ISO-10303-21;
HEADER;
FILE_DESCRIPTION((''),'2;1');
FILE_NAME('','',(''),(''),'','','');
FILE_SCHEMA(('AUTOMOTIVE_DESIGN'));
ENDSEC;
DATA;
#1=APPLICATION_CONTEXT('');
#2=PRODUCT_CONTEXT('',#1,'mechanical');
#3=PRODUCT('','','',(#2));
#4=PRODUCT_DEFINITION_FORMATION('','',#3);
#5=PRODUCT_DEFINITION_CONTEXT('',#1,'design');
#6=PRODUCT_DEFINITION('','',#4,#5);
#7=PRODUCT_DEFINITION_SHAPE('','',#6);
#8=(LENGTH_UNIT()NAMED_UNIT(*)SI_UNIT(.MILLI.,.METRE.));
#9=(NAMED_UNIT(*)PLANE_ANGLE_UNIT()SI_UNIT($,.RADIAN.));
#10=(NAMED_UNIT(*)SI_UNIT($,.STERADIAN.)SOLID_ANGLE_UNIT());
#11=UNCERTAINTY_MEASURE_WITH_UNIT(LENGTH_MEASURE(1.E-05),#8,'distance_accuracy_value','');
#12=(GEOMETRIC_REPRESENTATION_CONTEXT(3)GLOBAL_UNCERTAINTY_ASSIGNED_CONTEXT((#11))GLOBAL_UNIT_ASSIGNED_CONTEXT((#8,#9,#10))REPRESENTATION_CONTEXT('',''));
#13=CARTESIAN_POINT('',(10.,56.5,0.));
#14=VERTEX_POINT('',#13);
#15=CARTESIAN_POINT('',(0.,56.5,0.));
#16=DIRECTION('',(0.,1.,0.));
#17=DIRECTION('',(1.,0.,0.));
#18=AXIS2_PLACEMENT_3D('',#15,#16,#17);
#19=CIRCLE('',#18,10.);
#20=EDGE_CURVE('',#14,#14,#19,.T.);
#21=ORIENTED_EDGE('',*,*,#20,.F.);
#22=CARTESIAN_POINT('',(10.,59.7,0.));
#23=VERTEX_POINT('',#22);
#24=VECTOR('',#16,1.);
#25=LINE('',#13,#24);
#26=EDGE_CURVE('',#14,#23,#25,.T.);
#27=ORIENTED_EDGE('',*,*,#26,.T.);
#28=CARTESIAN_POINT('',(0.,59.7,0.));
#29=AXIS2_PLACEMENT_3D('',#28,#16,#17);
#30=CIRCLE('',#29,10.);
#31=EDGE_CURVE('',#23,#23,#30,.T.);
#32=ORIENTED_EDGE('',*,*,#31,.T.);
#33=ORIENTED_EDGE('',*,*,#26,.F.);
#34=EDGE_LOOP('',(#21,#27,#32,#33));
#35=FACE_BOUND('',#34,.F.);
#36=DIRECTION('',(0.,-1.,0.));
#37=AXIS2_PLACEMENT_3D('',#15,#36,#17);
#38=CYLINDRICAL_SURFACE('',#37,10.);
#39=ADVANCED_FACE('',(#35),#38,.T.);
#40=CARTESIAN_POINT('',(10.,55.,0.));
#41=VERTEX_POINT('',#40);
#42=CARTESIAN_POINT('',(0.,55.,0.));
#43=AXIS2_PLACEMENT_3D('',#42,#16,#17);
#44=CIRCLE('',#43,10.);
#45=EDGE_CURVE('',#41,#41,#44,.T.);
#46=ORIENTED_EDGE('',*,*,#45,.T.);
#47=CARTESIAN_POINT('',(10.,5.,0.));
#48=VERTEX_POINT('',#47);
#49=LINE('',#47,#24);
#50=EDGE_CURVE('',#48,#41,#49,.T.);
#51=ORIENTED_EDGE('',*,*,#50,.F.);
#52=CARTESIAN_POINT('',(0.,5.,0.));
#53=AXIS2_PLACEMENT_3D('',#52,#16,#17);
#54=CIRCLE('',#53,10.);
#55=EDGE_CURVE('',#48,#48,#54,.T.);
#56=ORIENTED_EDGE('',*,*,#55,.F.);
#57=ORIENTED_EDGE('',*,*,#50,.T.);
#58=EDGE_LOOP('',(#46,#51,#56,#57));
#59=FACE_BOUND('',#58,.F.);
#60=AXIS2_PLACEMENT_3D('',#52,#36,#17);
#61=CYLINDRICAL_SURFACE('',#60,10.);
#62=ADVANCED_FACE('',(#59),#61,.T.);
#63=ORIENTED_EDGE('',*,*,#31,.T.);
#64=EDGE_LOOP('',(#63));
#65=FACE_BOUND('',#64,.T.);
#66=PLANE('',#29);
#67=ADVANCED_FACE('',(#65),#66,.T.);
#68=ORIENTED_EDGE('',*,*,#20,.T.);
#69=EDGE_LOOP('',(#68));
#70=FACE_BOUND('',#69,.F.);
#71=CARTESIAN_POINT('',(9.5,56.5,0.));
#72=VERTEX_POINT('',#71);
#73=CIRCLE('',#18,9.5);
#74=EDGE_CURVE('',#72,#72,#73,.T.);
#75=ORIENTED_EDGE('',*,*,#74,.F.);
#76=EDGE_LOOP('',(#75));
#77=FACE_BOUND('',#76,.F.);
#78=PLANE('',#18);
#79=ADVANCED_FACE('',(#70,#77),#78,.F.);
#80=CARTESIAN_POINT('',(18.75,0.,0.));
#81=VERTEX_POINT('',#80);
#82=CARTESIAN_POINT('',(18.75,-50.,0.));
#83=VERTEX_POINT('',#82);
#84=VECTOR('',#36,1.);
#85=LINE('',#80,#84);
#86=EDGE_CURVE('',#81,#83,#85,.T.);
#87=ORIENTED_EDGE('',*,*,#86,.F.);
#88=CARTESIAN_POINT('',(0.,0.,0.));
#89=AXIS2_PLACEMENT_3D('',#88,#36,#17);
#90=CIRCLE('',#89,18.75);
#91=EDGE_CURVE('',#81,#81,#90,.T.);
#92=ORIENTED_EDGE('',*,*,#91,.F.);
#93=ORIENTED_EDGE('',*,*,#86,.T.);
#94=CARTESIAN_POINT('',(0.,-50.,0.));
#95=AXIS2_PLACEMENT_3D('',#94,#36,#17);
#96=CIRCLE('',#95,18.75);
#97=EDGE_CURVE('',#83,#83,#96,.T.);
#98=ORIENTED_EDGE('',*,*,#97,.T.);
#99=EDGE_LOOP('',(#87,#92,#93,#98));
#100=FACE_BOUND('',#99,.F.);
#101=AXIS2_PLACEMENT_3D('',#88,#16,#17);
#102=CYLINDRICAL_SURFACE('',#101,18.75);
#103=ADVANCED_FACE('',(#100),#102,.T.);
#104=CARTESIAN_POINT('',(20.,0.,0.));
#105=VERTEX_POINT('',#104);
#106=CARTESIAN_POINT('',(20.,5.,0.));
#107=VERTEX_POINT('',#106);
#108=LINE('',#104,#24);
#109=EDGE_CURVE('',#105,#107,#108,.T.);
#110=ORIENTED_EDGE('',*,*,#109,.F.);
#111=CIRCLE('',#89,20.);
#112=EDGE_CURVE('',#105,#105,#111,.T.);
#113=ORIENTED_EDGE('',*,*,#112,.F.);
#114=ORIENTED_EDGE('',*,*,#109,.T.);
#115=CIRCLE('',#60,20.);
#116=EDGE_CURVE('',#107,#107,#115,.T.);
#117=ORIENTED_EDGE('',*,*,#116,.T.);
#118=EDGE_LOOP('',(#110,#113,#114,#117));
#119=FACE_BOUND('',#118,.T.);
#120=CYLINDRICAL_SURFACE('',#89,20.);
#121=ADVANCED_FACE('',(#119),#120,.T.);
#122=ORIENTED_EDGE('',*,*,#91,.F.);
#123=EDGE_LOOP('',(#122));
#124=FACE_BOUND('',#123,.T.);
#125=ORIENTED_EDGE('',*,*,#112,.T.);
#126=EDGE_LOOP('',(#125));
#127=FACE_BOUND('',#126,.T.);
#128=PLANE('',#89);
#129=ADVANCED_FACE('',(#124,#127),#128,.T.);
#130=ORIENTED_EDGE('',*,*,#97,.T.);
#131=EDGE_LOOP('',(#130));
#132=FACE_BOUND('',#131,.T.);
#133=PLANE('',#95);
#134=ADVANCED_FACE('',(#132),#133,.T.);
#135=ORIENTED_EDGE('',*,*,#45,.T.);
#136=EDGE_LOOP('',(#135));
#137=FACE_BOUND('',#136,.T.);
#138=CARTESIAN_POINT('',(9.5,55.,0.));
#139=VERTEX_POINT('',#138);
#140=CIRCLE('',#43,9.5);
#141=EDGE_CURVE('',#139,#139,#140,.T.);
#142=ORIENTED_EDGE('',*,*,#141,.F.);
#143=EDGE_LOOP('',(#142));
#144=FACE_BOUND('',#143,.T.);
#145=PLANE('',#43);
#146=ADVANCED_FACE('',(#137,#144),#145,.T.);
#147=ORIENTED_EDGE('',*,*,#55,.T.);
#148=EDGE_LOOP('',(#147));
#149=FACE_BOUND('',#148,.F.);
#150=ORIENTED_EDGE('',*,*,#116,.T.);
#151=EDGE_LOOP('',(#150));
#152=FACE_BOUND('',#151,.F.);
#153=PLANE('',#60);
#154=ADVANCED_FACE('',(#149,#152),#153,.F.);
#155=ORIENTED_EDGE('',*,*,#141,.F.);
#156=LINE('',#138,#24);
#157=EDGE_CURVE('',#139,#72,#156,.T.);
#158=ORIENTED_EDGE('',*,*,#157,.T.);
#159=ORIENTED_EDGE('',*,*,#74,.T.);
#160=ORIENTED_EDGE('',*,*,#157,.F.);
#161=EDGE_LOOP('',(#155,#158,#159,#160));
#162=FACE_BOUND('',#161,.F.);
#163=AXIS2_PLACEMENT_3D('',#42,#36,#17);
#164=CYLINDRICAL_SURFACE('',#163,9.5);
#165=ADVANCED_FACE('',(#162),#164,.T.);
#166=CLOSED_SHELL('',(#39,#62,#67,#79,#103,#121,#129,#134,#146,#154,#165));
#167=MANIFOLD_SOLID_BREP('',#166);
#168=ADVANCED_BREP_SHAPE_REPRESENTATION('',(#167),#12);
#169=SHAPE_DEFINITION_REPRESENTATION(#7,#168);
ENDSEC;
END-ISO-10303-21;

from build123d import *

# Parameters (mm, degrees)
F0_R      = 18.75
F1_DEPTH  = 50
F2_R      = 20
F3_DEPTH  = 5
F5_R      = 10
F6_DEPTH  = 50
F8_R      = 9.5
F9_DEPTH  = 1.5
F11_R     = 10
F12_DEPTH = 3.2


with BuildPart() as f1:
    # F0 (on Front) → F1 (new body)
    with BuildSketch(Plane.XZ):
        Circle(F0_R)
    extrude(amount=F1_DEPTH)

    # F2 (on Front) → F3 (join)
    with BuildSketch(Plane.XZ):
        Circle(F2_R)
    extrude(amount=-F3_DEPTH)

    # F5 (on offset) → F6 (join)
    with BuildSketch(Plane(origin=(0, 5, 0), x_dir=(1, 0, 0), z_dir=(0, 1, 0))):
        Circle(F5_R)
    extrude(amount=F6_DEPTH)

    # F8 (on offset) → F9 (join)
    with BuildSketch(Plane(origin=(0, 55, 0), x_dir=(1, 0, 0), z_dir=(0, 1, 0))):
        Circle(F8_R)
    extrude(amount=F9_DEPTH)

    # F11 (on offset) → F12 (join)
    with BuildSketch(Plane(origin=(0, 56.5, 0), x_dir=(1, 0, 0), z_dir=(0, 1, 0))):
        Circle(F11_R)
    extrude(amount=F12_DEPTH)


solid = f1.part
